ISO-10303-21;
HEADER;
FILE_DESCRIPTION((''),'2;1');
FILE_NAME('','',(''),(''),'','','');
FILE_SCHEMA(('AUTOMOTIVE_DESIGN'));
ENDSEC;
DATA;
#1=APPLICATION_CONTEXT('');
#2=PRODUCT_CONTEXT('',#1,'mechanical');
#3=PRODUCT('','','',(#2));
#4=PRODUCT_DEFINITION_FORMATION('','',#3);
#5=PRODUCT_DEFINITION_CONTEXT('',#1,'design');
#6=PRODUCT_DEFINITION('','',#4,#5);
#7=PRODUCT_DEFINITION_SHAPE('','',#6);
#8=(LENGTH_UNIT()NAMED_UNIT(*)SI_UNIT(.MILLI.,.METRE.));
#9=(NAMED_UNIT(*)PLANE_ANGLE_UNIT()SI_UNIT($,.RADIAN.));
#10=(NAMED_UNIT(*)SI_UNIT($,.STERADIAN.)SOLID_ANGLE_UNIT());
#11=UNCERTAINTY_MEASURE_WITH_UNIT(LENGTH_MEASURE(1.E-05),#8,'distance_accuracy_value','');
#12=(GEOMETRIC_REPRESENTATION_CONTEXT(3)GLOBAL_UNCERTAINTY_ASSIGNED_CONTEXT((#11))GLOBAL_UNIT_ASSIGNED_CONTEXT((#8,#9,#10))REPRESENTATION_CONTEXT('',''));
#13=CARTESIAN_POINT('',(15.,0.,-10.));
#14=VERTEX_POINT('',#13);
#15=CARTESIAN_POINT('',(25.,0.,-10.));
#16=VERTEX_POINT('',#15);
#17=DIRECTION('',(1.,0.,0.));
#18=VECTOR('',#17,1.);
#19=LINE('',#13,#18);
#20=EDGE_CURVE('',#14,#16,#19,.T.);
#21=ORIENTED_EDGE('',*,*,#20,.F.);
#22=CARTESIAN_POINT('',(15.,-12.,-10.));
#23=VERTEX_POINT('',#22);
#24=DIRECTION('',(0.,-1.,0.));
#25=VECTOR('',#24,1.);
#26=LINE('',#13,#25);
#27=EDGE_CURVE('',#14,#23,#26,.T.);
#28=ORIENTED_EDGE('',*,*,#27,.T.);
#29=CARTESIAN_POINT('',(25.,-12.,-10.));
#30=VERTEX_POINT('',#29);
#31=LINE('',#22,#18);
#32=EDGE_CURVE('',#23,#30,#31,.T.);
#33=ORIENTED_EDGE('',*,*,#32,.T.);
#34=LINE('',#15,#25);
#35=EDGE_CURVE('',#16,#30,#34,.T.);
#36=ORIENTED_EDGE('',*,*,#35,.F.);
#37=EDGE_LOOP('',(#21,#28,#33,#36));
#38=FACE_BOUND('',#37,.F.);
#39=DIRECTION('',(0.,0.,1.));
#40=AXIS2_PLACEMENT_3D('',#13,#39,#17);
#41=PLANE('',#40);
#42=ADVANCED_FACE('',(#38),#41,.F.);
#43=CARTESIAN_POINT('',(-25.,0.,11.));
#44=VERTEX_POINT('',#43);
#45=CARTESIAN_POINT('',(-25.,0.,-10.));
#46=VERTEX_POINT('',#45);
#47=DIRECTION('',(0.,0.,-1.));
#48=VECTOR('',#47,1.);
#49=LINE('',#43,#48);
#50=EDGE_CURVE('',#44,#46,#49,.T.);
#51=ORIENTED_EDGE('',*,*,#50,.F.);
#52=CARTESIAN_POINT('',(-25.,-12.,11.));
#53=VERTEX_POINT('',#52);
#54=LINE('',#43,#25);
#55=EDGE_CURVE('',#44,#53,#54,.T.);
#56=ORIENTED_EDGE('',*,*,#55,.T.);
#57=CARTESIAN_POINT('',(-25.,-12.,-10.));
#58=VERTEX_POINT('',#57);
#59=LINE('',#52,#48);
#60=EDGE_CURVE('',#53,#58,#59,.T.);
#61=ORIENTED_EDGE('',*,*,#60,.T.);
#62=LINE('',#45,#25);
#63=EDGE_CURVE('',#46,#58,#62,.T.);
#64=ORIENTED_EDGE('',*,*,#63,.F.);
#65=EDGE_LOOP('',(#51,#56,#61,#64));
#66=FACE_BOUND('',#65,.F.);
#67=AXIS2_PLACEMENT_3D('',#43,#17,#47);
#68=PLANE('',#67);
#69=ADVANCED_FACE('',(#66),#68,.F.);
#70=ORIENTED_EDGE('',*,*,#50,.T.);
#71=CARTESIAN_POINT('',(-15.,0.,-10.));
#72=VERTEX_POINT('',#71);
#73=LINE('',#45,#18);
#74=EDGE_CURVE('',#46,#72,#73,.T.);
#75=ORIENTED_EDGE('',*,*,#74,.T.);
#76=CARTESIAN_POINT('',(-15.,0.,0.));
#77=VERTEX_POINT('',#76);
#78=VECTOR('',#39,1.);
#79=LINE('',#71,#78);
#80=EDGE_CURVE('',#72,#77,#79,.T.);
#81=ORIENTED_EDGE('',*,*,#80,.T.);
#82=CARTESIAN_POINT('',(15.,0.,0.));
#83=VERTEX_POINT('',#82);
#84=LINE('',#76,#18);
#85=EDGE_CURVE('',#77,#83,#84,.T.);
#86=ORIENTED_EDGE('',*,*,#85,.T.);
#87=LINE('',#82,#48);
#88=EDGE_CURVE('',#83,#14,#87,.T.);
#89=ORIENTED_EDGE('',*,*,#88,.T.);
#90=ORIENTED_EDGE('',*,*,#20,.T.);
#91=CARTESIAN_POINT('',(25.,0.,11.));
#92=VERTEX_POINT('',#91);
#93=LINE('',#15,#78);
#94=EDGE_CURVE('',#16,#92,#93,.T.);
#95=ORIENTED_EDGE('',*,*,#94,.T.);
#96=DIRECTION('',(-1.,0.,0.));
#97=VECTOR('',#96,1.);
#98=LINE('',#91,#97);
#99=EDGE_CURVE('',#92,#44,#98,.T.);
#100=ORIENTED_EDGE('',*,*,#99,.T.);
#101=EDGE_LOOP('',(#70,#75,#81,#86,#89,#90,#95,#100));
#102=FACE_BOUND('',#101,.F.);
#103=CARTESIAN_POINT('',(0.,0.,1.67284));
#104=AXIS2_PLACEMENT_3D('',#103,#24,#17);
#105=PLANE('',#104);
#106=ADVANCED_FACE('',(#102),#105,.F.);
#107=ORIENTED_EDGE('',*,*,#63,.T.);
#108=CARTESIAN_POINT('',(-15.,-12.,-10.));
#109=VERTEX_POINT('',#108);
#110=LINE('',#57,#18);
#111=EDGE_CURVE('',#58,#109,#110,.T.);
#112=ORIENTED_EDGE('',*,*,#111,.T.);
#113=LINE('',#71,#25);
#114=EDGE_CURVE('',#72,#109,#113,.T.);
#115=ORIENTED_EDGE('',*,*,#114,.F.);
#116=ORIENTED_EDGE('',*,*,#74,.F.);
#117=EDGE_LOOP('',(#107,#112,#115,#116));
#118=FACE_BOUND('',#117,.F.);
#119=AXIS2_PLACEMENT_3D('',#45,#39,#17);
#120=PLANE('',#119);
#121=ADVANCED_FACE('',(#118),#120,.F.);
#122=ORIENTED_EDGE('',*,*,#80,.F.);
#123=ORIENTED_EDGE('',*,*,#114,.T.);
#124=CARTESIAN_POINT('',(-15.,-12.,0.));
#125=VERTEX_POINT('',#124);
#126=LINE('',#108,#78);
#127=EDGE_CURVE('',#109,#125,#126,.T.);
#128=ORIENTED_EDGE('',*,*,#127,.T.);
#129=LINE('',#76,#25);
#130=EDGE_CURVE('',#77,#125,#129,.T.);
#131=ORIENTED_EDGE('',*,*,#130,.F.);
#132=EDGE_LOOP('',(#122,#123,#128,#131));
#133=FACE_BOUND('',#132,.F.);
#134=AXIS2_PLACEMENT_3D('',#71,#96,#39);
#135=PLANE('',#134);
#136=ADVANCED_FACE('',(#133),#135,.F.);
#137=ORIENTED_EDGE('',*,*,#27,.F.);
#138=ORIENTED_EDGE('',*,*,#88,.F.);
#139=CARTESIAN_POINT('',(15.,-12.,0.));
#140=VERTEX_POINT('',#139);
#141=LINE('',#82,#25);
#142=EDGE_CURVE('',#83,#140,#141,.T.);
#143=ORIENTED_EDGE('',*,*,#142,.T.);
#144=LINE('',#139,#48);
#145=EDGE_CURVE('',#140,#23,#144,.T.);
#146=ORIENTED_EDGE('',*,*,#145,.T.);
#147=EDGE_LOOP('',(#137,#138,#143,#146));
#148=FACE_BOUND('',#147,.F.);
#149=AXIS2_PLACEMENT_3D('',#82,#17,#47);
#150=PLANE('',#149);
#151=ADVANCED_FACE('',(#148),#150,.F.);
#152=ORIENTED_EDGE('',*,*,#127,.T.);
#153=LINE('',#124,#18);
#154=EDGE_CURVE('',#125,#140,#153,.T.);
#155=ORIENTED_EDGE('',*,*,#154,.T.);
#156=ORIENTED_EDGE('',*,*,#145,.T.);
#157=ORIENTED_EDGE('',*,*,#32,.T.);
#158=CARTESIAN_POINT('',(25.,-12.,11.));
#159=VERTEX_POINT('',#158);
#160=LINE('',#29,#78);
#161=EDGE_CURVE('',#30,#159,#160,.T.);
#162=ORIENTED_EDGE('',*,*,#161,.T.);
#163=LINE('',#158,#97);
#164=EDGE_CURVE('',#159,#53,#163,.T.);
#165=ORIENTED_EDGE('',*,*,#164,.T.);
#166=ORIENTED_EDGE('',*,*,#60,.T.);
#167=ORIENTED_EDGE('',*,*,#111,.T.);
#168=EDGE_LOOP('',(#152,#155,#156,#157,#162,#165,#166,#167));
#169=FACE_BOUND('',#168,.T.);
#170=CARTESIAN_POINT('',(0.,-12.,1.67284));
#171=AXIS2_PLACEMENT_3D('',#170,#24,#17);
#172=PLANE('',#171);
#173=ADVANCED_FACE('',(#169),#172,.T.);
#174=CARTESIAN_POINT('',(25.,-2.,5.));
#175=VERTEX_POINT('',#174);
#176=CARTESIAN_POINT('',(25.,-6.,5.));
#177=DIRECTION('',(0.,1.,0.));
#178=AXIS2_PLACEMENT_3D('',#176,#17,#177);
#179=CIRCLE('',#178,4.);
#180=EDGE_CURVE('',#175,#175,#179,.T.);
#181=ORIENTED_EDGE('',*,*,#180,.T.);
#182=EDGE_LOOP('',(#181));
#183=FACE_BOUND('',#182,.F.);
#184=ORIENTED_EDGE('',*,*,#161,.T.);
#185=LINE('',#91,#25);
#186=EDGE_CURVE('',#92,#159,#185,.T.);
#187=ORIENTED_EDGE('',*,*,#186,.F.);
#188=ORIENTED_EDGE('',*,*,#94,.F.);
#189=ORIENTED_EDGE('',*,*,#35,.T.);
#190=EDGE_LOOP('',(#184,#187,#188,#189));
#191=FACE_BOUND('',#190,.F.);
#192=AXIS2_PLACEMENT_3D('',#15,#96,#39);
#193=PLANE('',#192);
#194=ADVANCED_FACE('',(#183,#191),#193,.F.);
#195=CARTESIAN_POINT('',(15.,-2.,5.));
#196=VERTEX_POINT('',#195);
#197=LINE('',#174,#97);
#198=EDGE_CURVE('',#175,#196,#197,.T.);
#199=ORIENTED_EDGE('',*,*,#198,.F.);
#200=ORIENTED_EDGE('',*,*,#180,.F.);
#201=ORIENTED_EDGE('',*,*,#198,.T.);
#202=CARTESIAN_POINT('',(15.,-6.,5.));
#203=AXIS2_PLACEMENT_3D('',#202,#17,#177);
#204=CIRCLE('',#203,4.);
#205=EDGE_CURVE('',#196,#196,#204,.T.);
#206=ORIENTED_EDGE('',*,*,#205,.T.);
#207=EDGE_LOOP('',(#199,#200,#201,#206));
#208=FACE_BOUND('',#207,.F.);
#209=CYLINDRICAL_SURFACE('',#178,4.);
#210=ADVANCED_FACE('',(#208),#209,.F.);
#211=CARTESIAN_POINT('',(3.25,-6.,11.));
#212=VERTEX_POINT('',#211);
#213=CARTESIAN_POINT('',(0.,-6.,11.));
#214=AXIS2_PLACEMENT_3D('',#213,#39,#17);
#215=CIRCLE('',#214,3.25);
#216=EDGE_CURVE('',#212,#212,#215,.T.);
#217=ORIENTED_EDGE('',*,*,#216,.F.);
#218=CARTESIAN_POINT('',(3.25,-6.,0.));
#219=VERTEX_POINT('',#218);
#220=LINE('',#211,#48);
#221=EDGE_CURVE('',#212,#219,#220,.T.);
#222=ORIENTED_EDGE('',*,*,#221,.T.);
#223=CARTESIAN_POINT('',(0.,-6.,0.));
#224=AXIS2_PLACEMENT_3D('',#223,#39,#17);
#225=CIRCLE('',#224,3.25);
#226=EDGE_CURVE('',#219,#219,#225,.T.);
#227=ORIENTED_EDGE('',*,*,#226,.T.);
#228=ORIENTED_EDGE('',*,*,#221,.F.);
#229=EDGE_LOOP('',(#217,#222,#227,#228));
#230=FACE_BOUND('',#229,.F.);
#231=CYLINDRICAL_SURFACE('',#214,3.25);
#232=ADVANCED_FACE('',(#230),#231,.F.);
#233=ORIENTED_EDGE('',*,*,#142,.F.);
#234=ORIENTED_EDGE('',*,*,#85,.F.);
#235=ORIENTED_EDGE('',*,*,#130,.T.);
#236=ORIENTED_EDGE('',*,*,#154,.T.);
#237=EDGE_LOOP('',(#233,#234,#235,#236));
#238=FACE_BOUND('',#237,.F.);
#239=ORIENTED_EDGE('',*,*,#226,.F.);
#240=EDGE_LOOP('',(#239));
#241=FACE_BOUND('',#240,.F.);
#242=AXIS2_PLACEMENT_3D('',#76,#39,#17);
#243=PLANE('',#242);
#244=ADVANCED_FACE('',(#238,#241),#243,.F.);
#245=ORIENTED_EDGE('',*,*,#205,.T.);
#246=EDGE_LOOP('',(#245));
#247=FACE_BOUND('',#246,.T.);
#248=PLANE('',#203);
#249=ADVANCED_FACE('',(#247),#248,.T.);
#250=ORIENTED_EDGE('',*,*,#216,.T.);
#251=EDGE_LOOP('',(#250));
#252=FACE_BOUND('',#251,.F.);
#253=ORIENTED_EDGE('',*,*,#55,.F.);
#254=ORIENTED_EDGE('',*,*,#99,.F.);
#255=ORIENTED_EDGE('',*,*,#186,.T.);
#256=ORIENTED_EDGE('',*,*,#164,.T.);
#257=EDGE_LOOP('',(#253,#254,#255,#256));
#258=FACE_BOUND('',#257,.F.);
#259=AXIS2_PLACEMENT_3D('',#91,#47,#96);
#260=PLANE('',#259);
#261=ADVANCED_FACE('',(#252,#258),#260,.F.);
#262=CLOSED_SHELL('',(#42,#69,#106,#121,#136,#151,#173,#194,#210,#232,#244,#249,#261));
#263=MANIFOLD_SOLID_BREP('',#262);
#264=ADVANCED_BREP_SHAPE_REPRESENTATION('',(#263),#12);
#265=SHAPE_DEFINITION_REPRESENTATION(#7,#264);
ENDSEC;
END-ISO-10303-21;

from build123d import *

# Parameters (mm, degrees)
F1_DEPTH = 12
F2_R     = 4
F3_DEPTH = 10
F4_R     = 3.25
F5_DEPTH = 21.001


with BuildPart() as f1:
    # F0 (on Front) → F1 (new body)
    with BuildSketch(Plane.XZ):
        Polygon((-15, 0), (0, 0), (15, 0), (15, -10), (25, -10), (25, 11), (0, 11), (-25, 11), (-25, -10), (-15, -10), align=None)
    extrude(amount=F1_DEPTH)

    # F2 (on face) → F3 (cut)
    with BuildSketch(Plane.YZ.offset(25)):
        with Locations((-6, 5)):
            Circle(F2_R)
    extrude(amount=-F3_DEPTH, mode=Mode.SUBTRACT)

    # F4 (on face) → F5 (cut, through all)
    with BuildSketch(Plane.XY.offset(11)):
        with Locations((0, -6)):
            Circle(F4_R)
    extrude(amount=-F5_DEPTH, mode=Mode.SUBTRACT)


solid = f1.part
